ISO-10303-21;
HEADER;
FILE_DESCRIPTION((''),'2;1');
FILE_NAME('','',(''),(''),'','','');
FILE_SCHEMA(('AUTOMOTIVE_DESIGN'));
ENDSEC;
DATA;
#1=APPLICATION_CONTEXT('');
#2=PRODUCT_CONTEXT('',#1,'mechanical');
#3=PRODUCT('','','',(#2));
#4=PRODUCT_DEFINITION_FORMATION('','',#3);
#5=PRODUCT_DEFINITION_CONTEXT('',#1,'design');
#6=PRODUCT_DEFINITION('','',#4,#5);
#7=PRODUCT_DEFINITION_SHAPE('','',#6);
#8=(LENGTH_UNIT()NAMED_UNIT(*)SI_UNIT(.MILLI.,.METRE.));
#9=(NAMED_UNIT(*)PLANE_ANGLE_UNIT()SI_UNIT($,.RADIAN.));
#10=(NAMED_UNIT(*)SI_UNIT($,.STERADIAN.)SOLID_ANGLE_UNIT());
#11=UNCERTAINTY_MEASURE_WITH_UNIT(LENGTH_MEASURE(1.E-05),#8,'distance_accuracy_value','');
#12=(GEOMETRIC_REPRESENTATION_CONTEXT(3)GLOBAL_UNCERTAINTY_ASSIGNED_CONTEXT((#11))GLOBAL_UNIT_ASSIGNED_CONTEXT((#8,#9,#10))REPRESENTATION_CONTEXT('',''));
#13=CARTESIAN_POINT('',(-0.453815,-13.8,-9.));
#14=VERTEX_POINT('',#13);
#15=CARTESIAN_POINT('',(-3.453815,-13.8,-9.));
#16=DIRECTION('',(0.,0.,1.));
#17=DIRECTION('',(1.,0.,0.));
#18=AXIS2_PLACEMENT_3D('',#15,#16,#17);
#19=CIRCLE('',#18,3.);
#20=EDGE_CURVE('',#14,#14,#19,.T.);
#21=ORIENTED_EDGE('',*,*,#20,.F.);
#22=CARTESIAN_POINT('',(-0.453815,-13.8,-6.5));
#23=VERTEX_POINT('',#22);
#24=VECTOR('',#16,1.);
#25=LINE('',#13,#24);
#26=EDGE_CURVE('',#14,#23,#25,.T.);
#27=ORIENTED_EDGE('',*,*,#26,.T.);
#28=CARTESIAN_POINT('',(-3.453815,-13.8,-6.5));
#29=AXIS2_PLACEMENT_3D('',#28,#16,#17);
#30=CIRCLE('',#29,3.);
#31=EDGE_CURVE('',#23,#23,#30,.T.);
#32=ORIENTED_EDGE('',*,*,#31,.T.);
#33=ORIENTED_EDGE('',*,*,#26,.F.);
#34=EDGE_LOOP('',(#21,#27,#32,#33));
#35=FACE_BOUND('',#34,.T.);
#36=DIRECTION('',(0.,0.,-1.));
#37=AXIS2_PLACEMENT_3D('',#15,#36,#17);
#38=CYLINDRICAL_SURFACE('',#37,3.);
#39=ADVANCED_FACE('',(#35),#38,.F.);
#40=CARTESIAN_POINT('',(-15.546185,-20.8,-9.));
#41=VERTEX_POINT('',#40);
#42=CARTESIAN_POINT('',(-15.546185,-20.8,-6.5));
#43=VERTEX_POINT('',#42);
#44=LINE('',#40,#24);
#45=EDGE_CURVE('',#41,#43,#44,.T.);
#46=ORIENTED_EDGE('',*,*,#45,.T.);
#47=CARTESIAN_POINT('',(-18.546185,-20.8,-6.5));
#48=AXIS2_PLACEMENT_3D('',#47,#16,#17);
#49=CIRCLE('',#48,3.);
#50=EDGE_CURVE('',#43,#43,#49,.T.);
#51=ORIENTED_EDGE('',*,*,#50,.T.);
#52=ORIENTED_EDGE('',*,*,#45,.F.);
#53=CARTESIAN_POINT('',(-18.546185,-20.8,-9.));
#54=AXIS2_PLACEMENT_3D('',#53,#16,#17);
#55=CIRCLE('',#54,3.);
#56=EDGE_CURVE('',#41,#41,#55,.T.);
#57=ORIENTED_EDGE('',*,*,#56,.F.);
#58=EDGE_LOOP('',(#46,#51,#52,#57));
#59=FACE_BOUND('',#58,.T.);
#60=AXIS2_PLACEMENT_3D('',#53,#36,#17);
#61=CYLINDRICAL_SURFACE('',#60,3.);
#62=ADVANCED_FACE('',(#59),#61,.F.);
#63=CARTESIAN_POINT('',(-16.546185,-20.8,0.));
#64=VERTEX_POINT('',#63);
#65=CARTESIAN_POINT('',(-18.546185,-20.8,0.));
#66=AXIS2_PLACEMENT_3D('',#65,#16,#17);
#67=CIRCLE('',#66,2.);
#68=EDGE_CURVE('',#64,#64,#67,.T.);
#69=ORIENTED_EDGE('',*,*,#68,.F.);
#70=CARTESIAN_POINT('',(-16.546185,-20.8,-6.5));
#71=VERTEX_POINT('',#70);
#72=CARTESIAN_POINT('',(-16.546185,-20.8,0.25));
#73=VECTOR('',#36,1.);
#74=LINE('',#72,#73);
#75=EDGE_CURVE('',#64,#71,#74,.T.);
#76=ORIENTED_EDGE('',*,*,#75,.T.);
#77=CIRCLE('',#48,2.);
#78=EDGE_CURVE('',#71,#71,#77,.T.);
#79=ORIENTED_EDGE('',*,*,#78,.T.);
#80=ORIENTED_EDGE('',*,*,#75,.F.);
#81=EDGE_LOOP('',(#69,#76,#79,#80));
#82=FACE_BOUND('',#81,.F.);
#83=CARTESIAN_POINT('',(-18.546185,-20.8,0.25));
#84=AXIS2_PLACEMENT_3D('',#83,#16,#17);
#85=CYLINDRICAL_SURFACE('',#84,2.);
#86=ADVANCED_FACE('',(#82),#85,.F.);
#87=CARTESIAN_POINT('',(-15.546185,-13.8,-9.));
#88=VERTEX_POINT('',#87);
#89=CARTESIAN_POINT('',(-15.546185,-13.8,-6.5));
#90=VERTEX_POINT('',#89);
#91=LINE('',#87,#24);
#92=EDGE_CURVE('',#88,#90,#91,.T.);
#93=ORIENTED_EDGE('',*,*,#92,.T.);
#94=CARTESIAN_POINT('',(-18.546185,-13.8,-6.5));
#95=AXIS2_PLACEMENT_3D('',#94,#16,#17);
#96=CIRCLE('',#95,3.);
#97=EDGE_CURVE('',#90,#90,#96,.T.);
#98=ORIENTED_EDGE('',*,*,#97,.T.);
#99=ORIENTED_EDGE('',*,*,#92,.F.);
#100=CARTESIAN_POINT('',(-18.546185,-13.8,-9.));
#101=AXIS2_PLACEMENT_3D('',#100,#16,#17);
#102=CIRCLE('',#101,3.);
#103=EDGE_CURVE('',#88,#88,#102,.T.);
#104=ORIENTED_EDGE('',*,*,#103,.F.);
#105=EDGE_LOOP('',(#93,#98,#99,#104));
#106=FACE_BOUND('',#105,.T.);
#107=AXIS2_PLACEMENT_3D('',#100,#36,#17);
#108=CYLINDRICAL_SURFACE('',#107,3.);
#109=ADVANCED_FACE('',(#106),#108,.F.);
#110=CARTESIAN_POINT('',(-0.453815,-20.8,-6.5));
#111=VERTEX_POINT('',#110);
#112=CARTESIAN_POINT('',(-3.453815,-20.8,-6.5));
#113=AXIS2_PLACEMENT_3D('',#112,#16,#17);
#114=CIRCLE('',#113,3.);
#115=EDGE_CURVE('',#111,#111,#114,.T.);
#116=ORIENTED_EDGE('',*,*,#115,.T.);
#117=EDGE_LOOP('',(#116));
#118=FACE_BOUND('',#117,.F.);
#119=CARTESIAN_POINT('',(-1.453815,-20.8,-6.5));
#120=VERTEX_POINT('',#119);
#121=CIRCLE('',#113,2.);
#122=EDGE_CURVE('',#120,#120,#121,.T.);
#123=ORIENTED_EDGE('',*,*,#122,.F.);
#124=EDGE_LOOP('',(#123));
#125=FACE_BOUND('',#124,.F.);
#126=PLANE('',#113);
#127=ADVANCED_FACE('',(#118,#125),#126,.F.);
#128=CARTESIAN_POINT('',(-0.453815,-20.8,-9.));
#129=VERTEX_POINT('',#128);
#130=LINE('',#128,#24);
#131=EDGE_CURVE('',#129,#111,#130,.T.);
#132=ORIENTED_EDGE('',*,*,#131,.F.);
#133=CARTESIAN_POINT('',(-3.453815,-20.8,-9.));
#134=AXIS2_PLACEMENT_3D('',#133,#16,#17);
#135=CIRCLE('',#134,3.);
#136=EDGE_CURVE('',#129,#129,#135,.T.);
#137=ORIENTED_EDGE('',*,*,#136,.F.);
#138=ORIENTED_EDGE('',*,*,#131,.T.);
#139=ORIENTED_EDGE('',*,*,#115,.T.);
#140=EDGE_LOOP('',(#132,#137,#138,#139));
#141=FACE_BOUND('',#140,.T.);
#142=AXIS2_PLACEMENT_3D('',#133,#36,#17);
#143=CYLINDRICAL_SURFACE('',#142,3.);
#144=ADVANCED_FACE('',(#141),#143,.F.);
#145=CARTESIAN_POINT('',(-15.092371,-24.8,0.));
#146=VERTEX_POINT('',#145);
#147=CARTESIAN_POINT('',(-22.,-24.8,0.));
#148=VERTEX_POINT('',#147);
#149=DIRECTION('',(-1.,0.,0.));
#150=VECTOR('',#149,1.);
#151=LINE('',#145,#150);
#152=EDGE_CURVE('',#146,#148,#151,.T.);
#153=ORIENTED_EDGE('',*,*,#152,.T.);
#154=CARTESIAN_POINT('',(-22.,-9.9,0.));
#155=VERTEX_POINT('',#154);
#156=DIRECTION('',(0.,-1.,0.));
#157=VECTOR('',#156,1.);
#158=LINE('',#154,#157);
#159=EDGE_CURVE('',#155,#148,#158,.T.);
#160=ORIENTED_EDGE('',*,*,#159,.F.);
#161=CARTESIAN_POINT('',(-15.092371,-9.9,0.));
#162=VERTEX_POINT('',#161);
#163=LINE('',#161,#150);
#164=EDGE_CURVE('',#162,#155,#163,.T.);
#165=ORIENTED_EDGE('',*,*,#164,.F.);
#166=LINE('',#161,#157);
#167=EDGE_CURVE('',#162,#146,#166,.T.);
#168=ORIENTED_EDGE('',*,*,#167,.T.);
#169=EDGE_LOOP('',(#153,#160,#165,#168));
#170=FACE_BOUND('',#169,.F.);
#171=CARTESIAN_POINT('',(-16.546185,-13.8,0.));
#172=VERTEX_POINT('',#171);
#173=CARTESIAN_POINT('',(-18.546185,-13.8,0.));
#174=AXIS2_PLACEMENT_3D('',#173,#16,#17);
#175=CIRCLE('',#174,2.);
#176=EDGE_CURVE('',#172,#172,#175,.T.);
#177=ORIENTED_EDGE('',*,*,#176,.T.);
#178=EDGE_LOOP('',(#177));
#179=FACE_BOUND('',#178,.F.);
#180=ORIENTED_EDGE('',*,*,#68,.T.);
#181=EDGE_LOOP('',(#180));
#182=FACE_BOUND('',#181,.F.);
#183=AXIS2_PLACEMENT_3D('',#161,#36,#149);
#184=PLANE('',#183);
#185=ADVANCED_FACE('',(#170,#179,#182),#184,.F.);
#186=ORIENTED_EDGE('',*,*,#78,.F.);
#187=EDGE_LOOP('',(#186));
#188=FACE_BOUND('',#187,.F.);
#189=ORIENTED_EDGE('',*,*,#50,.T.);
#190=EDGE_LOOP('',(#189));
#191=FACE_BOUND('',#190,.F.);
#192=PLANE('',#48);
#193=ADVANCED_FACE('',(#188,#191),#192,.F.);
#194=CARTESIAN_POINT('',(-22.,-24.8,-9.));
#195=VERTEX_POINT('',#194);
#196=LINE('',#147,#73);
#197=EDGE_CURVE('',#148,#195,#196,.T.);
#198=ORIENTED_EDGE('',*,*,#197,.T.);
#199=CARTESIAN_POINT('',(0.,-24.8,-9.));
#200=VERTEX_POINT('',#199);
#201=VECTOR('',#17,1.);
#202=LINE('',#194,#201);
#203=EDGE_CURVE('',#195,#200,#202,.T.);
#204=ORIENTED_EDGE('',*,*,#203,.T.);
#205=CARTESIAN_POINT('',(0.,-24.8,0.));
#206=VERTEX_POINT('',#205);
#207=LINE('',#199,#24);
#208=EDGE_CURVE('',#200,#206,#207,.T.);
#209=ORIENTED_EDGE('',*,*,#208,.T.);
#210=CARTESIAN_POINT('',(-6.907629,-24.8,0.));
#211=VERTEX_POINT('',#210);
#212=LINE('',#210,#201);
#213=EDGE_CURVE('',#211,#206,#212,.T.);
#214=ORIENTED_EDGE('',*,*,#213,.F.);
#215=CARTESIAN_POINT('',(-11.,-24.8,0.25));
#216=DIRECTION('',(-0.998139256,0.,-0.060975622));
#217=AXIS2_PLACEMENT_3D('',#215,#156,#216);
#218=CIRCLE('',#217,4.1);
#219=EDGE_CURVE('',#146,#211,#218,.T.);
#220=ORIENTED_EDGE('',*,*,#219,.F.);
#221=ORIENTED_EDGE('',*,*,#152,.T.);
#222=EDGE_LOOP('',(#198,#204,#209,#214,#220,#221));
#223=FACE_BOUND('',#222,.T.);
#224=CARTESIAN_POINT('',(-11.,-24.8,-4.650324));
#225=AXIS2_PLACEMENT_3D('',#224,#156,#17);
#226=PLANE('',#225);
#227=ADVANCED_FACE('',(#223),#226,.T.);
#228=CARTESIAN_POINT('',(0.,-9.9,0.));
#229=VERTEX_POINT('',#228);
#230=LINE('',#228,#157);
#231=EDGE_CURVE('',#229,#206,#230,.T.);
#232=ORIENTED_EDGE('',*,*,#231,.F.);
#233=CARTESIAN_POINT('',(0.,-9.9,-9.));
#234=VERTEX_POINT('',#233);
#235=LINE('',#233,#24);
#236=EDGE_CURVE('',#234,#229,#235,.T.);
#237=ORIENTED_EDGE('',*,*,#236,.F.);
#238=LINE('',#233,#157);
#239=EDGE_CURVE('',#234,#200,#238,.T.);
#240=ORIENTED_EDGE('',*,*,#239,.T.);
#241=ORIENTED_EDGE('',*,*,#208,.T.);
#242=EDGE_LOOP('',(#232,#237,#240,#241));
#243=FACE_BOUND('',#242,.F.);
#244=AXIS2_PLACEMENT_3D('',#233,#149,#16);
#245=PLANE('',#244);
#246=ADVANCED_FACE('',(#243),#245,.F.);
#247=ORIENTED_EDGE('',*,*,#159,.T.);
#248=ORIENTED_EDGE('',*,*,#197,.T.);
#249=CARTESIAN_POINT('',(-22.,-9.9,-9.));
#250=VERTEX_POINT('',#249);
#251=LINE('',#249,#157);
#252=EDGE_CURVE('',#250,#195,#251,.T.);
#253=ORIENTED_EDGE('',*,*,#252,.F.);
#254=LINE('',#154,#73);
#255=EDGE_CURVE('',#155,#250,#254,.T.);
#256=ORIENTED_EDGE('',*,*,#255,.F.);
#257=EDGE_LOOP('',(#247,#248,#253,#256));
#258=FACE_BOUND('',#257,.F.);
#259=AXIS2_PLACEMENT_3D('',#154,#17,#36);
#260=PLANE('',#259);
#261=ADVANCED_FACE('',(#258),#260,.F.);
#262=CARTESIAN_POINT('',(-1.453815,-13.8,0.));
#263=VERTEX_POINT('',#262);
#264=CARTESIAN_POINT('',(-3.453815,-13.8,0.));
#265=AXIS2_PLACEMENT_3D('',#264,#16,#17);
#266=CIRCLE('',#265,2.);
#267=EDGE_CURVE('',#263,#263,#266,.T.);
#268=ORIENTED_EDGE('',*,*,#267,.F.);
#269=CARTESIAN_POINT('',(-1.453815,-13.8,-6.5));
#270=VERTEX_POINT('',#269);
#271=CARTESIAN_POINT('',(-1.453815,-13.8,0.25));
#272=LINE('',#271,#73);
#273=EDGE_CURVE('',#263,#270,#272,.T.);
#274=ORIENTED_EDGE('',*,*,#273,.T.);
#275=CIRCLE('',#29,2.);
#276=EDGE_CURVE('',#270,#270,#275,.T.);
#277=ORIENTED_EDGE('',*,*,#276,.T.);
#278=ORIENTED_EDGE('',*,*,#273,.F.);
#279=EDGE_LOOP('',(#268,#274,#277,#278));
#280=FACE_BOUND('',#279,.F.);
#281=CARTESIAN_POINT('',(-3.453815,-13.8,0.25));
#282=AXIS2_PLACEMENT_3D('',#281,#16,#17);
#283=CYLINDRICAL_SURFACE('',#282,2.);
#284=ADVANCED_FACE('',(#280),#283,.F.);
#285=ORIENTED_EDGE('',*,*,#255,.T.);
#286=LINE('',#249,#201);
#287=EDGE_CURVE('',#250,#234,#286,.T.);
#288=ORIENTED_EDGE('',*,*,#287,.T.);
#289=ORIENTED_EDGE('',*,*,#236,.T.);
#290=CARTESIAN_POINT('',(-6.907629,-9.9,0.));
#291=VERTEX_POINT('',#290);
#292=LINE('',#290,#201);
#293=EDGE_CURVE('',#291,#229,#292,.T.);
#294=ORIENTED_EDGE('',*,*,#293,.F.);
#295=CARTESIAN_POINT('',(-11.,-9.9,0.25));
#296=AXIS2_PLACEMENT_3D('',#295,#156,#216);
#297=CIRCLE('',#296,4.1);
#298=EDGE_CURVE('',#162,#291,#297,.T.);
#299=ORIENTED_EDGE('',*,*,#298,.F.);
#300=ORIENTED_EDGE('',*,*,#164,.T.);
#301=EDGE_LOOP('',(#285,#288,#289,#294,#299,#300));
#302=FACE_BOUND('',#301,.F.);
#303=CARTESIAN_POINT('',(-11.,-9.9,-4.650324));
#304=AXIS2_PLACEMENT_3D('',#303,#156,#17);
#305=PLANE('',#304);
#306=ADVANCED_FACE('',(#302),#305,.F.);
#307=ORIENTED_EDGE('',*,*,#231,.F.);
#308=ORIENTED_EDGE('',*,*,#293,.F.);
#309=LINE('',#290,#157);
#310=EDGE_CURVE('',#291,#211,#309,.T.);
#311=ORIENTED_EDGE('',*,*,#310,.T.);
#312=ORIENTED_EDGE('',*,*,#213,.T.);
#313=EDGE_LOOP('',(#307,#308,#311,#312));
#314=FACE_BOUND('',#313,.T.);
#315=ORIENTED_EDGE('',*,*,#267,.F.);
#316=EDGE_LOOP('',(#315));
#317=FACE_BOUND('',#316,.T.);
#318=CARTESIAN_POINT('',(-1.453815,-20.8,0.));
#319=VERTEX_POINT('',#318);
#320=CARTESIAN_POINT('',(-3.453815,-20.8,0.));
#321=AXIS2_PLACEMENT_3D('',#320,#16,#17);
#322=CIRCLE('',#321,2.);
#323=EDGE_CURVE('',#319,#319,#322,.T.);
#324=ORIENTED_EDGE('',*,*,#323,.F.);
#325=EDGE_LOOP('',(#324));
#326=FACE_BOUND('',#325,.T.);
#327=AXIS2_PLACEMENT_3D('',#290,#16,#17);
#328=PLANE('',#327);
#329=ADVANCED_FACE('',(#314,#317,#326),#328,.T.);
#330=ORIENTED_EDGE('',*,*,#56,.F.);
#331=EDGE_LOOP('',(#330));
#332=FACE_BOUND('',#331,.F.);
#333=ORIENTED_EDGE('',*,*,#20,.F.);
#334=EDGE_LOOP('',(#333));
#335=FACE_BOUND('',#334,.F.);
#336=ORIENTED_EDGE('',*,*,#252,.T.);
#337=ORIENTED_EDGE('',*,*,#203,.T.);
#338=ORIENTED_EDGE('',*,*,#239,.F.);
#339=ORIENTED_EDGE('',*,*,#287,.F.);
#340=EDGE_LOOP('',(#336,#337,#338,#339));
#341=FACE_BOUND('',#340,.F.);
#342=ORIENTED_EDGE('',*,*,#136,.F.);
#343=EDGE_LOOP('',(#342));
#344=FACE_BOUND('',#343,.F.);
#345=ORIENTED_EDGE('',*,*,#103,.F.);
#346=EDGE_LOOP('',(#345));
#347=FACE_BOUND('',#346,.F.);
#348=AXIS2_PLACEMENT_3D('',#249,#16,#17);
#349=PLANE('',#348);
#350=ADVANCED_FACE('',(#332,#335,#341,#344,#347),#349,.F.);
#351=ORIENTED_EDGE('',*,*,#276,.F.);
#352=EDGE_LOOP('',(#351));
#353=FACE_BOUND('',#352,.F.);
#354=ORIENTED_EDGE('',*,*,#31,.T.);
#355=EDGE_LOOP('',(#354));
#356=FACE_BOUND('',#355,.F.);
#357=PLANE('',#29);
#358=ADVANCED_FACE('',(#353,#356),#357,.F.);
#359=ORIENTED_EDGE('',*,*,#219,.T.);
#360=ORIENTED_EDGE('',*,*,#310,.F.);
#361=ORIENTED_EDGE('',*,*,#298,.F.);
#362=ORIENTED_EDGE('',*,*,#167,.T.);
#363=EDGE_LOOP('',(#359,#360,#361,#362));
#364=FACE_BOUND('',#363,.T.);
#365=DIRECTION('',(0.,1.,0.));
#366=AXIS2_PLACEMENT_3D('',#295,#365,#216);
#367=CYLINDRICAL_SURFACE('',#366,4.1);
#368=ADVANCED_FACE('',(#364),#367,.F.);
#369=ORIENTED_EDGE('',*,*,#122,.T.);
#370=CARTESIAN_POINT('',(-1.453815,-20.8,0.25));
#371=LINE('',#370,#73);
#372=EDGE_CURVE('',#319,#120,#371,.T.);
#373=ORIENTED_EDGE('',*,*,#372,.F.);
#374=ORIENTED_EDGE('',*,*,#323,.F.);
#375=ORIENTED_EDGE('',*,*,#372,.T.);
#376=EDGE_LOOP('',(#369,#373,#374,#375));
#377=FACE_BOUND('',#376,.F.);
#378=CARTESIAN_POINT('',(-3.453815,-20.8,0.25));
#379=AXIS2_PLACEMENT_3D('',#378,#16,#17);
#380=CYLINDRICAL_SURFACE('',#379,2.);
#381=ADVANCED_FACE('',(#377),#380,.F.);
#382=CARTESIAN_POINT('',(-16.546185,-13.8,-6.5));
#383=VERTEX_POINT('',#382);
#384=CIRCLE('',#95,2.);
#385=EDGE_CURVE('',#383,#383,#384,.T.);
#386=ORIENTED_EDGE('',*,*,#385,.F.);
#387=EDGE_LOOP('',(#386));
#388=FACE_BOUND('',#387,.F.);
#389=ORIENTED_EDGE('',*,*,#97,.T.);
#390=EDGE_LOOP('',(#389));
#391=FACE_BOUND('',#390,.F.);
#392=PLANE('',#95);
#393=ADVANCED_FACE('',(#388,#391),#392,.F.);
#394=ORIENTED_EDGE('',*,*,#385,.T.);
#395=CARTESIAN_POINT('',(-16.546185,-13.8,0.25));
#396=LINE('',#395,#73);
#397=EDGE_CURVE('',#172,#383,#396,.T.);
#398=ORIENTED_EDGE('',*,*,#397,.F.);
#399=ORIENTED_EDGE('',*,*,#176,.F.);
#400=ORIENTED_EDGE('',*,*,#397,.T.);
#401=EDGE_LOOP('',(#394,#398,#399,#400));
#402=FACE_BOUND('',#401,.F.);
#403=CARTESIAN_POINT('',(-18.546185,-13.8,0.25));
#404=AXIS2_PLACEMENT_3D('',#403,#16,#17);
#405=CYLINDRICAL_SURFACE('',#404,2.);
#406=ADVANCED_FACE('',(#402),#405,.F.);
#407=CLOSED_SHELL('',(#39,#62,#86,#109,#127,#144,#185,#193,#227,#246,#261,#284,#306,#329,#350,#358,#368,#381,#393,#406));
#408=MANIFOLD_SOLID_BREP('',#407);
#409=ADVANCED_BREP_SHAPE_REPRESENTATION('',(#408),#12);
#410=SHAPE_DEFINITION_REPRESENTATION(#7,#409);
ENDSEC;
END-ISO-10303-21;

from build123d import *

# Parameters (mm, degrees)
PAD016_DEPTH    = 14.9
SKETCH037_R     = 2
POCKET017_DEPTH = 9.251
SKETCH038_R     = 3
POCKET018_DEPTH = 2.5


with BuildPart() as part:
    # Sketch036 (on DatumPlane) → Pad016 (new body)
    with BuildSketch(Plane.XZ.offset(9.9)):
        with BuildLine():
            Line((-22, -0.25), (-22, -9.25))
            Line((-22, -9.25), (0, -9.25))
            Line((0, -9.25), (0, -0.25))
            Line((-6.907629, -0.25), (0, -0.25))
            ThreePointArc((-15.092371, -0.25), (-11, -4.1), (-6.907629, -0.25))
            Line((-15.092371, -0.25), (-22, -0.25))
        make_face()
    extrude(amount=PAD016_DEPTH)

    # Sketch037 → Pocket017 (cut, through all)
    with BuildSketch(Plane.XY):
        with Locations((-18.546185, -13.8)):
            Circle(SKETCH037_R)
        with Locations((-18.546185, -20.8)):
            Circle(SKETCH037_R)
        with Locations((-3.453815, -20.8)):
            Circle(SKETCH037_R)
        with Locations((-3.453815, -13.8)):
            Circle(SKETCH037_R)
    extrude(amount=-POCKET017_DEPTH, mode=Mode.SUBTRACT)

    # Sketch038 (on DatumPlane) → Pocket018 (cut)
    with BuildSketch(Plane.XY.offset(-9.25)):
        with Locations((-18.546185, -13.8)):
            Circle(SKETCH038_R)
        with Locations((-18.546185, -20.8)):
            Circle(SKETCH038_R)
        with Locations((-3.453815, -13.8)):
            Circle(SKETCH038_R)
        with Locations((-3.453815, -20.8)):
            Circle(SKETCH038_R)
    extrude(amount=POCKET018_DEPTH, mode=Mode.SUBTRACT)


with BuildPart() as part_1:
    # Body021 placement: moved
    add(part.part.moved(Location((0, 0, 0.25))))


solid = part_1.part
